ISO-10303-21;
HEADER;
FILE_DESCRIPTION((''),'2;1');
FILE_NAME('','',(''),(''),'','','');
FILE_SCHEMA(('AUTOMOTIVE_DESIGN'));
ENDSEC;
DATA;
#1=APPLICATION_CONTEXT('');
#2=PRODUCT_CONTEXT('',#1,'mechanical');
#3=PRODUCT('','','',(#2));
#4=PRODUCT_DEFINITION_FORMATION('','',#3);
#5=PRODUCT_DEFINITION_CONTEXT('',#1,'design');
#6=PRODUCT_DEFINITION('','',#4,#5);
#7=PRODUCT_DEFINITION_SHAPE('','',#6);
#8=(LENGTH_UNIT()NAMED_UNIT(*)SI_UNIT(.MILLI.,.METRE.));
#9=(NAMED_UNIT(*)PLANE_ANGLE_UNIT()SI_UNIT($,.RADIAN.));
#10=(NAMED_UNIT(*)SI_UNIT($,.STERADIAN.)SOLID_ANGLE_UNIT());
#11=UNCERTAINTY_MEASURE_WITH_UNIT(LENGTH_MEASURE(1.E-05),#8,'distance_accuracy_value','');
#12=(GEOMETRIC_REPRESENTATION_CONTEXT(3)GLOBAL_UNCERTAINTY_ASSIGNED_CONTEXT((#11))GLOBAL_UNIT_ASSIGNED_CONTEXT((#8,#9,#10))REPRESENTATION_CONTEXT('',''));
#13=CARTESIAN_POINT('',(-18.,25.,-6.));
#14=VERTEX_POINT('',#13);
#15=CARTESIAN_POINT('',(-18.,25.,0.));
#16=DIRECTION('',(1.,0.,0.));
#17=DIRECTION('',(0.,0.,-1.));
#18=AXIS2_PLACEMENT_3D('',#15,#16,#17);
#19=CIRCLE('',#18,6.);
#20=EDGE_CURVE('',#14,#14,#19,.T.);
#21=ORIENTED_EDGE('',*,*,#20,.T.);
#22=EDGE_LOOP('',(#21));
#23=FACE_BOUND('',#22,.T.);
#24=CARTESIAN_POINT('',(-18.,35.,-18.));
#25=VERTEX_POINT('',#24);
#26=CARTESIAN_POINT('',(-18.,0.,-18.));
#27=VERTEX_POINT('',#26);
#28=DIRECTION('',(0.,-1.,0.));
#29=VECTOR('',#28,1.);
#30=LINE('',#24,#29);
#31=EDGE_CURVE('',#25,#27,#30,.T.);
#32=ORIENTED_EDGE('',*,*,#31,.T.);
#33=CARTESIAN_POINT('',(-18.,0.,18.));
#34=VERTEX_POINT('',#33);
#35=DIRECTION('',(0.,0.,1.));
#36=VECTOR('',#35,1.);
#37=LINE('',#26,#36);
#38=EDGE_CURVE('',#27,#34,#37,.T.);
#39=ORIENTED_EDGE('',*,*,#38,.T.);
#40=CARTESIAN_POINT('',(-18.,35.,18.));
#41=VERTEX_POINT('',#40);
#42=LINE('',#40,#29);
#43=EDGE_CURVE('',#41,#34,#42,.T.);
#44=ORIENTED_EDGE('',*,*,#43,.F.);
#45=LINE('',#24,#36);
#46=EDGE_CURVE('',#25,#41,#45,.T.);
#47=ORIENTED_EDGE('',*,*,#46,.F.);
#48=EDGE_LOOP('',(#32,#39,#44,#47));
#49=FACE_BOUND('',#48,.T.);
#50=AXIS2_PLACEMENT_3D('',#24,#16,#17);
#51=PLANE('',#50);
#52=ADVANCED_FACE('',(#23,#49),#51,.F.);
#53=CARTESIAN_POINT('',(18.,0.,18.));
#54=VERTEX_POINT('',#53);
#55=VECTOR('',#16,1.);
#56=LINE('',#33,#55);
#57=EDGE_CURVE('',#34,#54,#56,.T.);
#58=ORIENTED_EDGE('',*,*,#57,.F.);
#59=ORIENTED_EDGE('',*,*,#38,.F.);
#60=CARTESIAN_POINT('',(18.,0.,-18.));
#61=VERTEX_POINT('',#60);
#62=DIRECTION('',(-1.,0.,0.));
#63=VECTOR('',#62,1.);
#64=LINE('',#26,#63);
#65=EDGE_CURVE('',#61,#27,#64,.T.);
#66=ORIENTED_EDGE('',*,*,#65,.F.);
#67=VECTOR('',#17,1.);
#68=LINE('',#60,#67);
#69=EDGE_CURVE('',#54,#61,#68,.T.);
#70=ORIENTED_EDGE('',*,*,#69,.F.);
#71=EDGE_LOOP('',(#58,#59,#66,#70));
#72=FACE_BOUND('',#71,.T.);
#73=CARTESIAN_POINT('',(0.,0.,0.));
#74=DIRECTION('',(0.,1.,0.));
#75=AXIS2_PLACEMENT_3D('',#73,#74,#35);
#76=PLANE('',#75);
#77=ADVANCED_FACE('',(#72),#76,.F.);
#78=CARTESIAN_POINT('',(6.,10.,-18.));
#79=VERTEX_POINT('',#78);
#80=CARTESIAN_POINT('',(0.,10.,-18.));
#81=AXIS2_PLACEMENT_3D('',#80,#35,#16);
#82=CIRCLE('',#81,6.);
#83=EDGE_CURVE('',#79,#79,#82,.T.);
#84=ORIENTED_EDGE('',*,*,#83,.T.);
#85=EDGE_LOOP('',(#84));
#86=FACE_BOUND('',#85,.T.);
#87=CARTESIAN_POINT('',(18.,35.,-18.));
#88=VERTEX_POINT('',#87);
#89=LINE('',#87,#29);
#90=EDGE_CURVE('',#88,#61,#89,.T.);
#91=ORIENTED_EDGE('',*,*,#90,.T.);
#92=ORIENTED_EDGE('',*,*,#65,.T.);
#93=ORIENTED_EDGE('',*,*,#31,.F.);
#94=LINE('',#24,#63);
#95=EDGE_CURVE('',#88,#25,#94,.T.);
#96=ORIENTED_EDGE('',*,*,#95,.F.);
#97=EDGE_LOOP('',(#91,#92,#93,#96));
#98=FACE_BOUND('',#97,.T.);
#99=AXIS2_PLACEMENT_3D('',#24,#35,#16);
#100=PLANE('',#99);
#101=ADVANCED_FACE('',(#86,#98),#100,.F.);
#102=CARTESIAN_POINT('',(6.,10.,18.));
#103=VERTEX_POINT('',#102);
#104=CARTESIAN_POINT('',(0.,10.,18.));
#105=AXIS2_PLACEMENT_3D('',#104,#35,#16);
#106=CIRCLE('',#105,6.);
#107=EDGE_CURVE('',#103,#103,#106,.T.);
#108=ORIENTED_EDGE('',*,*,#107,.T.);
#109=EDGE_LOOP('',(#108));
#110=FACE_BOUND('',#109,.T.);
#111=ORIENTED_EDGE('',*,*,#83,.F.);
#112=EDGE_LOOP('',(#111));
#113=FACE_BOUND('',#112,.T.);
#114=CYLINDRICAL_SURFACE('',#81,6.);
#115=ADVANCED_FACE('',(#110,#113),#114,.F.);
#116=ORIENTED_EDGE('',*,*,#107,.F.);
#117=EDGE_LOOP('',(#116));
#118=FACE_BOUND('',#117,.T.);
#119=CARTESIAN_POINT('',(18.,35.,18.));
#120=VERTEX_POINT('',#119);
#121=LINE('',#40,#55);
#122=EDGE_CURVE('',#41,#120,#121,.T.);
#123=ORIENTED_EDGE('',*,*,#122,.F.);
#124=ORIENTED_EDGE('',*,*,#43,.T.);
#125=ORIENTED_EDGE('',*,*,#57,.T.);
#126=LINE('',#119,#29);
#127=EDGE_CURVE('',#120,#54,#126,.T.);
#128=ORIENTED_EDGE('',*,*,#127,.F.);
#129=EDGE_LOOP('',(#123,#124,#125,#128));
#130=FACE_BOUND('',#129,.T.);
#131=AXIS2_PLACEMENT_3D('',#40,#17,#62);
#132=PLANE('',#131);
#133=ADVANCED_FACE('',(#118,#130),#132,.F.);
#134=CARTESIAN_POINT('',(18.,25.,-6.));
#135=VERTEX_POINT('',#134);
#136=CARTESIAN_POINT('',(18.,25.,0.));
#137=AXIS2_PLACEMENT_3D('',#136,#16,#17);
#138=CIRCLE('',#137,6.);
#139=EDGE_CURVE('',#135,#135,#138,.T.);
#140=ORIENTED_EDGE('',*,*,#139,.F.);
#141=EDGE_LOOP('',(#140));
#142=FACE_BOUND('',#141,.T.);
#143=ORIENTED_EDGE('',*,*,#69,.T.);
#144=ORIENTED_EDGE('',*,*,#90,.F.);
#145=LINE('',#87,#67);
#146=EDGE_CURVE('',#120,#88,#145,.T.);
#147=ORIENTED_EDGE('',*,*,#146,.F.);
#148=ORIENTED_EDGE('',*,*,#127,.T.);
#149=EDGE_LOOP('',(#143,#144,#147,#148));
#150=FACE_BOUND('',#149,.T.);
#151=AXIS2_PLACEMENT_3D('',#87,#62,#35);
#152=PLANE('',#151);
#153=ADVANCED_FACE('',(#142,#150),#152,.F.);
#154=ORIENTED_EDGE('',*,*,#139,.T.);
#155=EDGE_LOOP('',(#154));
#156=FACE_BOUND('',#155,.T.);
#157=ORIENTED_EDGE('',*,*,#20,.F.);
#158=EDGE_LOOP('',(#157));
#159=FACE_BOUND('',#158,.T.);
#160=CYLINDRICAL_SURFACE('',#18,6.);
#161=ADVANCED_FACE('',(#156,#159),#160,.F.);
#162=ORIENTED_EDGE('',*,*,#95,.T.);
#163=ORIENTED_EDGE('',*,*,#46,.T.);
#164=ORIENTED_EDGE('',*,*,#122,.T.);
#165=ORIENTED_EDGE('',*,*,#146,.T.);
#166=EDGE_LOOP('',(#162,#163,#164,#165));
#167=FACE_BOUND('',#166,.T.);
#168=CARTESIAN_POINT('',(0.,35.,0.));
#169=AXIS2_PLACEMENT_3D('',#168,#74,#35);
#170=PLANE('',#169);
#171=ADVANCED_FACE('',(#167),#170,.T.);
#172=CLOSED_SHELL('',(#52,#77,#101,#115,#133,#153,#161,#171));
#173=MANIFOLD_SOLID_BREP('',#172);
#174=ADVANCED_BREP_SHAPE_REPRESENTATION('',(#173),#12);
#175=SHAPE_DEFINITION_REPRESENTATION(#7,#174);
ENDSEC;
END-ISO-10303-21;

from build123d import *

# Parameters (mm, degrees)
SKETCH1_W           = 36
SKETCH1_H           = 36
BOSS_EXTRUDE1_DEPTH = 35
SKETCH2_R           = 6
CUT_EXTRUDE1_DEPTH  = 54.338541412
SKETCH3_R           = 6
CUT_EXTRUDE2_DEPTH  = 54.338541412


with BuildPart() as part:
    # Sketch1 → Boss-Extrude1 (new body)
    with BuildSketch(Plane(origin=(0, 0, 0), x_dir=(1, 0, 0), z_dir=(0, 1, 0))):
        Rectangle(SKETCH1_W, SKETCH1_H)
    extrude(amount=BOSS_EXTRUDE1_DEPTH)

    # Sketch2 → Cut-Extrude1 (cut, through all)
    with BuildSketch(Plane.XY.offset(18)):
        with Locations((0, 10)):
            Circle(SKETCH2_R)
    extrude(amount=-CUT_EXTRUDE1_DEPTH, mode=Mode.SUBTRACT)

    # Sketch3 → Cut-Extrude2 (cut, through all)
    with BuildSketch(Plane(origin=(18, 0, 0), x_dir=(0, 0, -1), z_dir=(1, 0, 0))):
        with Locations((0, 25)):
            Circle(SKETCH3_R)
    extrude(amount=-CUT_EXTRUDE2_DEPTH, mode=Mode.SUBTRACT)


solid = part.part
